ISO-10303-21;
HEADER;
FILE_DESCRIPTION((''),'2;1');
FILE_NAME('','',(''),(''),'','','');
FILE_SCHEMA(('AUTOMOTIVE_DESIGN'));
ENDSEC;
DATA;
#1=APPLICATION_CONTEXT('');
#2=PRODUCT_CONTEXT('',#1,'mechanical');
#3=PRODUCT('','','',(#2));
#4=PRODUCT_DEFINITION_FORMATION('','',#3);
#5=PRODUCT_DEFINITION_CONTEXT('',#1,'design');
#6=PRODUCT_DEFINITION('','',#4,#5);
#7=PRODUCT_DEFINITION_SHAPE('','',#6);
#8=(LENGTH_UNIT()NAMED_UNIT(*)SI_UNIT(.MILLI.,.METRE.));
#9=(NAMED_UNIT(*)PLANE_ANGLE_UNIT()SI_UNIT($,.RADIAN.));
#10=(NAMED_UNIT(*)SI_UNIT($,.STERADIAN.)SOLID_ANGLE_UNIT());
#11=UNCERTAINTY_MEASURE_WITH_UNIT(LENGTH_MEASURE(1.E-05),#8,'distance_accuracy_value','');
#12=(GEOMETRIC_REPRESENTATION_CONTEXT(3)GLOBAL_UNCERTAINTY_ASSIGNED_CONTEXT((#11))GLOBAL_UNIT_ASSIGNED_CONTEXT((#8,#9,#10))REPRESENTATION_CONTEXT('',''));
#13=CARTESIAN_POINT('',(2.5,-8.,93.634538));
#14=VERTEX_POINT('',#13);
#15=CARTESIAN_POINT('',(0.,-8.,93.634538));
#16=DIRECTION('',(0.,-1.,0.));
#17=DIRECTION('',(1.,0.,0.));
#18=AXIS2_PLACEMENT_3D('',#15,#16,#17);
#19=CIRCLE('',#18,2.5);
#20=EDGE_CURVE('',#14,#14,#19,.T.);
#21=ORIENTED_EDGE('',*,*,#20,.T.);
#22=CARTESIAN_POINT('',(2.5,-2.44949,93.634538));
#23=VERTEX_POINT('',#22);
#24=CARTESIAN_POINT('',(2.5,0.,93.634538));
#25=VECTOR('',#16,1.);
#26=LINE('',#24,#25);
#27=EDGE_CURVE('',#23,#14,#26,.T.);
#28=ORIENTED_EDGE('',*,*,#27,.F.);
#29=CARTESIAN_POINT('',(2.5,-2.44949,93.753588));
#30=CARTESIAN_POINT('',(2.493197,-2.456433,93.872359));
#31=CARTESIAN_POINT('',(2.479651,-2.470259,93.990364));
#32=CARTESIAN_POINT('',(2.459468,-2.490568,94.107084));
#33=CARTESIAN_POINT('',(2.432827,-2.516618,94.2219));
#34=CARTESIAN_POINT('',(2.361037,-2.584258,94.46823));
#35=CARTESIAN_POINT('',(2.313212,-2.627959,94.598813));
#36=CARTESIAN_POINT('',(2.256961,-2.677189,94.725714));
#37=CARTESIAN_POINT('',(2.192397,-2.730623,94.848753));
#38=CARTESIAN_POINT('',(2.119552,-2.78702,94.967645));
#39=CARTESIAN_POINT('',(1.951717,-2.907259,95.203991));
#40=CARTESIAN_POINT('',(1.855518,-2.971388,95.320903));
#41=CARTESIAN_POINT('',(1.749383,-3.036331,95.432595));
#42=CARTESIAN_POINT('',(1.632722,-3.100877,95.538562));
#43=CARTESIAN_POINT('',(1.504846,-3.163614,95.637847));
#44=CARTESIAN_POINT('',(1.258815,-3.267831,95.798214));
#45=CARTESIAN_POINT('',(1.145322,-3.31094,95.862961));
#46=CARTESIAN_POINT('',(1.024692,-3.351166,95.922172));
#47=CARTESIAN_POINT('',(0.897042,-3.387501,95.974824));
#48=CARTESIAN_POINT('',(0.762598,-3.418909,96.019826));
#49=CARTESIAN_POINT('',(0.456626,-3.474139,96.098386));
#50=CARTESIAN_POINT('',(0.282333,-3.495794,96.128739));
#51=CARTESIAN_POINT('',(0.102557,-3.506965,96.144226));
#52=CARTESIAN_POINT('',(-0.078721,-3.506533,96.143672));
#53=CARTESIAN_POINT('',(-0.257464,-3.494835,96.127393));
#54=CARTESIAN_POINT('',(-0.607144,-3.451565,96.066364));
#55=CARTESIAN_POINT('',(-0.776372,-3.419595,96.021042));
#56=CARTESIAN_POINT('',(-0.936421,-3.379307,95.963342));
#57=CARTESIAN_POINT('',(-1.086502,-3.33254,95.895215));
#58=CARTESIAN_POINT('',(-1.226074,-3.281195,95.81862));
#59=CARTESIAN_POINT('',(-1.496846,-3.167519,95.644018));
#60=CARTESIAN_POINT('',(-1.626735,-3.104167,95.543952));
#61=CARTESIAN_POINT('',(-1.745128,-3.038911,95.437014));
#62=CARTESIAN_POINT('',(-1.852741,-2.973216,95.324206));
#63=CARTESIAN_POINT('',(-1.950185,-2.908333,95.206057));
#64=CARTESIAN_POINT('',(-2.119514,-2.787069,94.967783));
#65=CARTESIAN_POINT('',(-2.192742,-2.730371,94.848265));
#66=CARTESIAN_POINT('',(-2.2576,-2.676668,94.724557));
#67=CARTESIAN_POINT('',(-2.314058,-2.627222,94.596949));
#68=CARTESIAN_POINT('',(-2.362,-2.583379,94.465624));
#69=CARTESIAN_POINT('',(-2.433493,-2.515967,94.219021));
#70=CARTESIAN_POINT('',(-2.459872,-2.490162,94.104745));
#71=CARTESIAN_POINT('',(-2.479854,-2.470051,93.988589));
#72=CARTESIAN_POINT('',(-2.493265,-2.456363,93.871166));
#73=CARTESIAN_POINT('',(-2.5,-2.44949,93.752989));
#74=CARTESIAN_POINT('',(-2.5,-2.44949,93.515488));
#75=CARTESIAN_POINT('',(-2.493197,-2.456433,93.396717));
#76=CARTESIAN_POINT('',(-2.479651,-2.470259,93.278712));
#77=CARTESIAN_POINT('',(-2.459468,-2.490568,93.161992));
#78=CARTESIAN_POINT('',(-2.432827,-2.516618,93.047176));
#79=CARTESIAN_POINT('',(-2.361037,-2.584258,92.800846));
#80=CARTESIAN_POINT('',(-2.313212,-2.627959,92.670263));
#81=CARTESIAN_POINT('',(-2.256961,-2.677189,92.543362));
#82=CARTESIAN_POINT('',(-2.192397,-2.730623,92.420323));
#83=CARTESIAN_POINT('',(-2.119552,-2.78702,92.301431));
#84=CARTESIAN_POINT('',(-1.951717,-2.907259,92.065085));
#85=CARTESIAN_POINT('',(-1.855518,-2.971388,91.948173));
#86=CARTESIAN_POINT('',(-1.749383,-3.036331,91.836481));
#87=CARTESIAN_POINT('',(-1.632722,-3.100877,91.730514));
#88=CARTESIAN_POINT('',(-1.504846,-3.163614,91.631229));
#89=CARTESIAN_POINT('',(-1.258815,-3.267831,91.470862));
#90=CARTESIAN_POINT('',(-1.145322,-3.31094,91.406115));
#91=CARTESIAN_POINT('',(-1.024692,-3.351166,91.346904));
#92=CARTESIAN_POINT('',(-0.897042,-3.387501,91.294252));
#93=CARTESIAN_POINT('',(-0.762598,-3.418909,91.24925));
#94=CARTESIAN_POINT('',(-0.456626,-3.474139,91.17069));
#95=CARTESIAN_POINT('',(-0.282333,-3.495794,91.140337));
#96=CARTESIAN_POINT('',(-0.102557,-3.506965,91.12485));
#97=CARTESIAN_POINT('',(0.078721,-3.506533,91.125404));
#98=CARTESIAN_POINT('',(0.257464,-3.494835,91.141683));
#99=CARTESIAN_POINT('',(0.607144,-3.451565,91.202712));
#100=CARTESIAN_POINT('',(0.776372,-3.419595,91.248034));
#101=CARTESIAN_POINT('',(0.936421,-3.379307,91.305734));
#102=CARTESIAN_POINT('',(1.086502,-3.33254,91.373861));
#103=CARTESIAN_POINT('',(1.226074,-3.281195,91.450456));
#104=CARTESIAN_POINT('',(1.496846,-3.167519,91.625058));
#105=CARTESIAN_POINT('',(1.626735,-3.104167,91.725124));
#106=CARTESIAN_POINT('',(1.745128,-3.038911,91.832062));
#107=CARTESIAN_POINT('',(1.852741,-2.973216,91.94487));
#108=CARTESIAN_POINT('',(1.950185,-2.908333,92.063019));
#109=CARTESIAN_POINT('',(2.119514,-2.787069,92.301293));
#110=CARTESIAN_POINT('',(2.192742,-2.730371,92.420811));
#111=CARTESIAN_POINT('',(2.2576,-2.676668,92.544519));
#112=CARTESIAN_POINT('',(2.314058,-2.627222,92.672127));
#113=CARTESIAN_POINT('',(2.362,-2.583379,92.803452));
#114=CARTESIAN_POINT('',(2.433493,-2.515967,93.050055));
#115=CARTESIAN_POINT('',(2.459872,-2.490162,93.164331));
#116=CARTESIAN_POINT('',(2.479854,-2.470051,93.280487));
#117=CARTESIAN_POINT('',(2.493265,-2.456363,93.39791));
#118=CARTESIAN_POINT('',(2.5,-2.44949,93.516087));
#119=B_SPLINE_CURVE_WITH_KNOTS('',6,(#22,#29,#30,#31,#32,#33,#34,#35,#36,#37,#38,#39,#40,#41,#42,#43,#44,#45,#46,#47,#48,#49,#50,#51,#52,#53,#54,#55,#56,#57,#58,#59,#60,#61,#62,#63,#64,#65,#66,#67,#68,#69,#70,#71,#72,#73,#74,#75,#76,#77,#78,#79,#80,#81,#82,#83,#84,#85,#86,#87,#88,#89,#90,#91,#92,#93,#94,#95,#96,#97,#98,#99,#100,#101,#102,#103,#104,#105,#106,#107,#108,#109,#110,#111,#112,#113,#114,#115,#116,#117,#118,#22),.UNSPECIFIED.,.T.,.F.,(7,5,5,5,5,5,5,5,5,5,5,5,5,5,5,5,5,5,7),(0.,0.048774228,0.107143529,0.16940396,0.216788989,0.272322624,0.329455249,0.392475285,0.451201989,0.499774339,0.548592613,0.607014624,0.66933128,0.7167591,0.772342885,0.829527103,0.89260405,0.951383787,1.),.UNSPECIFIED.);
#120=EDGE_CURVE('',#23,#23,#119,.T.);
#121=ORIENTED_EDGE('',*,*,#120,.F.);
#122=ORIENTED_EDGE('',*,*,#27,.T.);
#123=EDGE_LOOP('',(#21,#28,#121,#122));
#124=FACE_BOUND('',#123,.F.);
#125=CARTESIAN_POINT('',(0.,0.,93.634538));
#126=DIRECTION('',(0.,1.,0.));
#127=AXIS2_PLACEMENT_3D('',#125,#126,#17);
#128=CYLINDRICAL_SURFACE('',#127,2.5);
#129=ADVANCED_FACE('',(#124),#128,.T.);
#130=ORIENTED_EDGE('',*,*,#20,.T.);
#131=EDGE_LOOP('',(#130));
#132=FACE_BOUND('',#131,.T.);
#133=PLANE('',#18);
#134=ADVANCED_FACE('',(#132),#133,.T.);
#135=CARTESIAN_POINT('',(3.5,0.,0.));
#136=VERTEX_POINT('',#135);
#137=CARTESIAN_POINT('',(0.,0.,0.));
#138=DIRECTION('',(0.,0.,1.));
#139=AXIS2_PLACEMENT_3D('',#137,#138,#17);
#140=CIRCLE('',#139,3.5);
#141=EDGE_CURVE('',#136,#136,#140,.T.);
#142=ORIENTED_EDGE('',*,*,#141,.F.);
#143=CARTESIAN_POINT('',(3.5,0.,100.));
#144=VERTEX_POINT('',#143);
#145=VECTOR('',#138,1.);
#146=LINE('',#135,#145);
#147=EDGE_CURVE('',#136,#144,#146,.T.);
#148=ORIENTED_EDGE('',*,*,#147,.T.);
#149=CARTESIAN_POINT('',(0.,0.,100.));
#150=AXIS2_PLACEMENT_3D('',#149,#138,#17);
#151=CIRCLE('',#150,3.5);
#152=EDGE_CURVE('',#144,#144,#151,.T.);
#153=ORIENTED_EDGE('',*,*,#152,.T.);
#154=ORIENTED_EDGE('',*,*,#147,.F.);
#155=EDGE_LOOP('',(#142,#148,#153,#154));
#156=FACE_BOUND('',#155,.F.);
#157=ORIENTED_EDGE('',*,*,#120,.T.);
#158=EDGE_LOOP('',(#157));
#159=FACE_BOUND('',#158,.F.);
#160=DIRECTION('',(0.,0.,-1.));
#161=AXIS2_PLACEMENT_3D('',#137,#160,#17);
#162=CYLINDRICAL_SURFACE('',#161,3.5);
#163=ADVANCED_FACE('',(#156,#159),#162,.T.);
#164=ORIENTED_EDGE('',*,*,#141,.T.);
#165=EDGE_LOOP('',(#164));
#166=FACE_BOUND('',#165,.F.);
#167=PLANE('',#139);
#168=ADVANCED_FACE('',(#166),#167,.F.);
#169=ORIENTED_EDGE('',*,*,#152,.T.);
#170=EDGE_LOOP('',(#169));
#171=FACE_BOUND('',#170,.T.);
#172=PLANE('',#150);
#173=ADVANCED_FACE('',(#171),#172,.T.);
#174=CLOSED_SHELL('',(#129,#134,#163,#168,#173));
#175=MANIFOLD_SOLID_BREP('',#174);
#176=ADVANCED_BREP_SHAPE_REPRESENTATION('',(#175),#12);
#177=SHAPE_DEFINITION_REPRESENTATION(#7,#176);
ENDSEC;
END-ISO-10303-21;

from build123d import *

# Parameters (mm, degrees)
F0_R     = 3.5
F1_DEPTH = 100
F2_R     = 2.5
F3_DEPTH = 8


with BuildPart() as f1:
    # F0 (on Top) → F1 (new body)
    with BuildSketch(Plane.XY):
        Circle(F0_R)
    extrude(amount=F1_DEPTH)

    # F2 (on Front) → F3 (join)
    with BuildSketch(Plane.XZ):
        with Locations((0, 93.634538)):
            Circle(F2_R)
    extrude(amount=F3_DEPTH)


solid = f1.part
